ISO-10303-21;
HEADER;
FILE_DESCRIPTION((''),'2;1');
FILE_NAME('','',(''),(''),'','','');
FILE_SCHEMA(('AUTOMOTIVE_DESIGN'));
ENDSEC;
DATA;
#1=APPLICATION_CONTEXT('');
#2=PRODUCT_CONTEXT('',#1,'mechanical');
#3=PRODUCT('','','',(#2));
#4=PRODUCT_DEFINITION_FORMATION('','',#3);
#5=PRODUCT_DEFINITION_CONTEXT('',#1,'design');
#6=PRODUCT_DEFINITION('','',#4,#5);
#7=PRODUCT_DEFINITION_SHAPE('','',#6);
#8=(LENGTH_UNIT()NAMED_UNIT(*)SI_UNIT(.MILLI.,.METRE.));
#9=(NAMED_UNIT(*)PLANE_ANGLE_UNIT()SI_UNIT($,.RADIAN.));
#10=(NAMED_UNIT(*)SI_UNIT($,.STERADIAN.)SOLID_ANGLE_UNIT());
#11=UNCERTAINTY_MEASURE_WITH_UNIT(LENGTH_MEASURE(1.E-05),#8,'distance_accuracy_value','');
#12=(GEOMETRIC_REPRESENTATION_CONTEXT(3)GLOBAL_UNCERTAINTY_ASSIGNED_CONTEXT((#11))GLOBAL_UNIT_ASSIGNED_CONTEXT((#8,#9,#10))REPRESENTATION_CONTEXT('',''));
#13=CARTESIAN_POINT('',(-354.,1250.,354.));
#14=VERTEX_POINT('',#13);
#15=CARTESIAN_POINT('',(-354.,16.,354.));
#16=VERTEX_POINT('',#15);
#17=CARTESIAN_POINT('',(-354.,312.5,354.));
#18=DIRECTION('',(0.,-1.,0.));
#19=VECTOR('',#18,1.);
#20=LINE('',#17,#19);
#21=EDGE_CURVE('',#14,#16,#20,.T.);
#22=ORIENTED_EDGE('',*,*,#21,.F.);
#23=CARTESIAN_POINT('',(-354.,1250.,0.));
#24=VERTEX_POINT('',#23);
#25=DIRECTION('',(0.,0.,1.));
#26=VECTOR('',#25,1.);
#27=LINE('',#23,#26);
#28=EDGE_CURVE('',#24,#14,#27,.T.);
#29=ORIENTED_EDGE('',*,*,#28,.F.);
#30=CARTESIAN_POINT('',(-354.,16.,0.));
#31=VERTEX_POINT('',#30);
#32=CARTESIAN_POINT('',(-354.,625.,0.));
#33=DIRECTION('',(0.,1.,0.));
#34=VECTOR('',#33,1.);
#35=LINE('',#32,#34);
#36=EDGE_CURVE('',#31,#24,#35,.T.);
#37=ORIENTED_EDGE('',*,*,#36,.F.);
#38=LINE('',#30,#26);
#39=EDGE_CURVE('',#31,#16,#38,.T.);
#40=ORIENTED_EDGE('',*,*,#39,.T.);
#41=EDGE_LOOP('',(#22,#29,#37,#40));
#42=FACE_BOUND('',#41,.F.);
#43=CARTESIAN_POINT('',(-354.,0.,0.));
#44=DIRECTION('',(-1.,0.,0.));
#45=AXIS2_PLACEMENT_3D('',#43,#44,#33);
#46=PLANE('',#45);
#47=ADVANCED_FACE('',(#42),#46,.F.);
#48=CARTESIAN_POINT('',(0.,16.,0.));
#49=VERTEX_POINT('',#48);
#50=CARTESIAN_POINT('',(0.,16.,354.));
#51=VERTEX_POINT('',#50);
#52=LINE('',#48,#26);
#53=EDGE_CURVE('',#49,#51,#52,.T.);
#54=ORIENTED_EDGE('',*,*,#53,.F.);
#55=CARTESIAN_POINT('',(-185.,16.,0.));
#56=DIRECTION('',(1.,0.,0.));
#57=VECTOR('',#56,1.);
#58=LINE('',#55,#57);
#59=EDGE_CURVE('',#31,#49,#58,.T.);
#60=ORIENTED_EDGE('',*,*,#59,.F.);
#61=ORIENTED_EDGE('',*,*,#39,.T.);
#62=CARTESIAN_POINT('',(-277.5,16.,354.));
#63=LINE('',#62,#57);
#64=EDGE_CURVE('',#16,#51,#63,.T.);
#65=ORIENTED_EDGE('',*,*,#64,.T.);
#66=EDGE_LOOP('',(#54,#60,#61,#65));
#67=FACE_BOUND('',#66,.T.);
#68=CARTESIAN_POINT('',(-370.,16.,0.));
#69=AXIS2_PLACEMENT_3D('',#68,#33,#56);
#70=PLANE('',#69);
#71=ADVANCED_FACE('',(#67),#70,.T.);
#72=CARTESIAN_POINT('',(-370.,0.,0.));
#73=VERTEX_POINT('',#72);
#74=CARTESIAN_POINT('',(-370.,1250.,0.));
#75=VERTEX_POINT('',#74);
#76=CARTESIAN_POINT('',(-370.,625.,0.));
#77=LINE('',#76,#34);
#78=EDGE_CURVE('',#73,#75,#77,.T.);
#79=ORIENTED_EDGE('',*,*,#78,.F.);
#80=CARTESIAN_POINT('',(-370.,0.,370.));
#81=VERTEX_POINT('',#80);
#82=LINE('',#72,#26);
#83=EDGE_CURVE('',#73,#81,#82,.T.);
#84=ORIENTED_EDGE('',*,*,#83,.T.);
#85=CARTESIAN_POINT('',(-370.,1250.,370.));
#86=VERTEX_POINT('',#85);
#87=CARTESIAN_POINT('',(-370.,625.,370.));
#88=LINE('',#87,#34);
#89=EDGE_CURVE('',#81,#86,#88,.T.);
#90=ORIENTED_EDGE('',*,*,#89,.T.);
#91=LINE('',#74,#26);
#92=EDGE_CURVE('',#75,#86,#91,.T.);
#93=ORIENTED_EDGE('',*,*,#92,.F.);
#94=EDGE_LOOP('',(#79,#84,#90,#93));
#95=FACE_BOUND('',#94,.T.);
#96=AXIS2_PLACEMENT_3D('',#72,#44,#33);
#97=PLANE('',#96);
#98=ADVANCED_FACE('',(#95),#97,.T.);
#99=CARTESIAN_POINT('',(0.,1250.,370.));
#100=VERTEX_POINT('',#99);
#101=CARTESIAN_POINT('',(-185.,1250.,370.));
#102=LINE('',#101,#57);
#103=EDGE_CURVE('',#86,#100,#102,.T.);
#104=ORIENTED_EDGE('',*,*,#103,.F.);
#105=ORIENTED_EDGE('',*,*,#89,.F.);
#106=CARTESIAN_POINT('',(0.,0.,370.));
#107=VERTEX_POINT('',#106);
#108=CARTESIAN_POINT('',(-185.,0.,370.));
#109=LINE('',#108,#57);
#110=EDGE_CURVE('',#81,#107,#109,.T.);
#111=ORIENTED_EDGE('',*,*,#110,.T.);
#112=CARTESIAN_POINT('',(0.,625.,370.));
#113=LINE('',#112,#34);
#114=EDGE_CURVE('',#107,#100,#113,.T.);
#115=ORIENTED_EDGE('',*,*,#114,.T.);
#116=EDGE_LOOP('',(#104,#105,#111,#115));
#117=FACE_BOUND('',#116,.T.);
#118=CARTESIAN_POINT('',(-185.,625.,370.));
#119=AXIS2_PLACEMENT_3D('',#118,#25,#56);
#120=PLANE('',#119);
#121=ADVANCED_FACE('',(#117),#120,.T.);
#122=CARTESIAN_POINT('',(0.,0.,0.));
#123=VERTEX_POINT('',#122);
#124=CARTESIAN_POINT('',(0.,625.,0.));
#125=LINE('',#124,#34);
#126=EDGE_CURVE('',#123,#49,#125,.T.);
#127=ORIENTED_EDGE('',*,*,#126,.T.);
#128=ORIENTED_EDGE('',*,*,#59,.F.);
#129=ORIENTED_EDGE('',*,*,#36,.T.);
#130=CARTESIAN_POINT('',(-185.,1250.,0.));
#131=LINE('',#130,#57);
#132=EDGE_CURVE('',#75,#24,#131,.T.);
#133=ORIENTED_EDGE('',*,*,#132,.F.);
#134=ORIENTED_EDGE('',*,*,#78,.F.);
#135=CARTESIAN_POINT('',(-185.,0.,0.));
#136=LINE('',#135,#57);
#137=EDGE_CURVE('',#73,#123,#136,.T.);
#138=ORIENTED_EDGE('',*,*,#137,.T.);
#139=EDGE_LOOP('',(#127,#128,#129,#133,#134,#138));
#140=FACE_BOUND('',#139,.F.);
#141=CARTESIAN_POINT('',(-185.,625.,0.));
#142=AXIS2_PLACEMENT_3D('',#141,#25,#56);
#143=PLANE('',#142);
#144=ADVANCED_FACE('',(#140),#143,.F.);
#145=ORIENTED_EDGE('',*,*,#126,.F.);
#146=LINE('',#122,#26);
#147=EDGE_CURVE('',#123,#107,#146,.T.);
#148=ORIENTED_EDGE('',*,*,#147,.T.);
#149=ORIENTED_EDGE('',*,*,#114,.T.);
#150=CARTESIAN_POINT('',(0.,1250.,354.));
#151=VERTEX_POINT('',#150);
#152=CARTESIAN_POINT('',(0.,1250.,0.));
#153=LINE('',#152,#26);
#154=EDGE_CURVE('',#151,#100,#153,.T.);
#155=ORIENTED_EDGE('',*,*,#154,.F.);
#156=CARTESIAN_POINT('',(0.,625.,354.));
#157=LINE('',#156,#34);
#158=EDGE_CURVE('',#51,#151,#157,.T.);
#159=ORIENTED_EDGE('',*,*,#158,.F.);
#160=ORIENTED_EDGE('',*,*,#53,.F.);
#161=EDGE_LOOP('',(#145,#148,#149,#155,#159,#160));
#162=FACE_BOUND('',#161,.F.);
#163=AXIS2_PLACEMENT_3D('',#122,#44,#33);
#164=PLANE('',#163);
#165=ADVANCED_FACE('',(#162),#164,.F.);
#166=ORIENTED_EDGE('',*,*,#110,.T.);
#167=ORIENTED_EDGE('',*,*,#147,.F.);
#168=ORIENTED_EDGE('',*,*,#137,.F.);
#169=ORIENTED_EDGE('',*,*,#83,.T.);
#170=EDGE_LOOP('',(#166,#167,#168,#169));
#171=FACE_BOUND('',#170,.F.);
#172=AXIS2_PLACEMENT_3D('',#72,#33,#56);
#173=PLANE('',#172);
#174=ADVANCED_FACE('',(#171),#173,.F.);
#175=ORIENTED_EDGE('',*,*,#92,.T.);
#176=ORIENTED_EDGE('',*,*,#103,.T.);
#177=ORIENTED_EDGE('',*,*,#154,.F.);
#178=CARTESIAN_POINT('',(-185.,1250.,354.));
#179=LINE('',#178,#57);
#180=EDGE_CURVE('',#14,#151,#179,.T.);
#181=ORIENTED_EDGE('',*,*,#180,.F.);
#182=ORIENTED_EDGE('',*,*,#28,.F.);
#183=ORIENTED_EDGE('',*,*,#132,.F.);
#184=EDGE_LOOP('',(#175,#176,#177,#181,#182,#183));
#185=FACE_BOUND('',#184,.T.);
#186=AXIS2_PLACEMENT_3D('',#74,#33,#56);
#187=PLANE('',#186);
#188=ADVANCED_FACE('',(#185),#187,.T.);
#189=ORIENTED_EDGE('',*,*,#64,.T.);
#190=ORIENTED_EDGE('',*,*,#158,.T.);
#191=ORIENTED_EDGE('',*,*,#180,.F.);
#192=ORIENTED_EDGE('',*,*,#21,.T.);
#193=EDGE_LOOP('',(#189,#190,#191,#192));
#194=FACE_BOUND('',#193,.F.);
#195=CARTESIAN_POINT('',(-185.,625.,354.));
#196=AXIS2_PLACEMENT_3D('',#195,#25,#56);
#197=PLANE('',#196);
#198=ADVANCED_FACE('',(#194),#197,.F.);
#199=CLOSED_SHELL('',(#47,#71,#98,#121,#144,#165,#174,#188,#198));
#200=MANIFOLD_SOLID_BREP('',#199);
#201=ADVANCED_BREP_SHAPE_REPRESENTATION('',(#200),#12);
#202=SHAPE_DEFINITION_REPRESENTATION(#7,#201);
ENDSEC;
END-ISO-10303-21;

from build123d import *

# Parameters (mm, degrees)
F0_W     = 370
F0_H     = 1250
F1_DEPTH = 370
F2_T     = -16


with BuildPart() as f1:
    # F0 (on Top) → F1 (new body)
    with BuildSketch(Plane.XY):
        with Locations((-185, 625)):
            Rectangle(F0_W, F0_H)
    extrude(amount=F1_DEPTH)

    # F2
    f2_openings = [f1.faces().sort_by_distance(p)[0] for p in [
        (0, 625, 185),
        (-185, 625, 0),
        (-185, 1250, 185),
    ]]
    offset(amount=F2_T, openings=f2_openings)


solid = f1.part
